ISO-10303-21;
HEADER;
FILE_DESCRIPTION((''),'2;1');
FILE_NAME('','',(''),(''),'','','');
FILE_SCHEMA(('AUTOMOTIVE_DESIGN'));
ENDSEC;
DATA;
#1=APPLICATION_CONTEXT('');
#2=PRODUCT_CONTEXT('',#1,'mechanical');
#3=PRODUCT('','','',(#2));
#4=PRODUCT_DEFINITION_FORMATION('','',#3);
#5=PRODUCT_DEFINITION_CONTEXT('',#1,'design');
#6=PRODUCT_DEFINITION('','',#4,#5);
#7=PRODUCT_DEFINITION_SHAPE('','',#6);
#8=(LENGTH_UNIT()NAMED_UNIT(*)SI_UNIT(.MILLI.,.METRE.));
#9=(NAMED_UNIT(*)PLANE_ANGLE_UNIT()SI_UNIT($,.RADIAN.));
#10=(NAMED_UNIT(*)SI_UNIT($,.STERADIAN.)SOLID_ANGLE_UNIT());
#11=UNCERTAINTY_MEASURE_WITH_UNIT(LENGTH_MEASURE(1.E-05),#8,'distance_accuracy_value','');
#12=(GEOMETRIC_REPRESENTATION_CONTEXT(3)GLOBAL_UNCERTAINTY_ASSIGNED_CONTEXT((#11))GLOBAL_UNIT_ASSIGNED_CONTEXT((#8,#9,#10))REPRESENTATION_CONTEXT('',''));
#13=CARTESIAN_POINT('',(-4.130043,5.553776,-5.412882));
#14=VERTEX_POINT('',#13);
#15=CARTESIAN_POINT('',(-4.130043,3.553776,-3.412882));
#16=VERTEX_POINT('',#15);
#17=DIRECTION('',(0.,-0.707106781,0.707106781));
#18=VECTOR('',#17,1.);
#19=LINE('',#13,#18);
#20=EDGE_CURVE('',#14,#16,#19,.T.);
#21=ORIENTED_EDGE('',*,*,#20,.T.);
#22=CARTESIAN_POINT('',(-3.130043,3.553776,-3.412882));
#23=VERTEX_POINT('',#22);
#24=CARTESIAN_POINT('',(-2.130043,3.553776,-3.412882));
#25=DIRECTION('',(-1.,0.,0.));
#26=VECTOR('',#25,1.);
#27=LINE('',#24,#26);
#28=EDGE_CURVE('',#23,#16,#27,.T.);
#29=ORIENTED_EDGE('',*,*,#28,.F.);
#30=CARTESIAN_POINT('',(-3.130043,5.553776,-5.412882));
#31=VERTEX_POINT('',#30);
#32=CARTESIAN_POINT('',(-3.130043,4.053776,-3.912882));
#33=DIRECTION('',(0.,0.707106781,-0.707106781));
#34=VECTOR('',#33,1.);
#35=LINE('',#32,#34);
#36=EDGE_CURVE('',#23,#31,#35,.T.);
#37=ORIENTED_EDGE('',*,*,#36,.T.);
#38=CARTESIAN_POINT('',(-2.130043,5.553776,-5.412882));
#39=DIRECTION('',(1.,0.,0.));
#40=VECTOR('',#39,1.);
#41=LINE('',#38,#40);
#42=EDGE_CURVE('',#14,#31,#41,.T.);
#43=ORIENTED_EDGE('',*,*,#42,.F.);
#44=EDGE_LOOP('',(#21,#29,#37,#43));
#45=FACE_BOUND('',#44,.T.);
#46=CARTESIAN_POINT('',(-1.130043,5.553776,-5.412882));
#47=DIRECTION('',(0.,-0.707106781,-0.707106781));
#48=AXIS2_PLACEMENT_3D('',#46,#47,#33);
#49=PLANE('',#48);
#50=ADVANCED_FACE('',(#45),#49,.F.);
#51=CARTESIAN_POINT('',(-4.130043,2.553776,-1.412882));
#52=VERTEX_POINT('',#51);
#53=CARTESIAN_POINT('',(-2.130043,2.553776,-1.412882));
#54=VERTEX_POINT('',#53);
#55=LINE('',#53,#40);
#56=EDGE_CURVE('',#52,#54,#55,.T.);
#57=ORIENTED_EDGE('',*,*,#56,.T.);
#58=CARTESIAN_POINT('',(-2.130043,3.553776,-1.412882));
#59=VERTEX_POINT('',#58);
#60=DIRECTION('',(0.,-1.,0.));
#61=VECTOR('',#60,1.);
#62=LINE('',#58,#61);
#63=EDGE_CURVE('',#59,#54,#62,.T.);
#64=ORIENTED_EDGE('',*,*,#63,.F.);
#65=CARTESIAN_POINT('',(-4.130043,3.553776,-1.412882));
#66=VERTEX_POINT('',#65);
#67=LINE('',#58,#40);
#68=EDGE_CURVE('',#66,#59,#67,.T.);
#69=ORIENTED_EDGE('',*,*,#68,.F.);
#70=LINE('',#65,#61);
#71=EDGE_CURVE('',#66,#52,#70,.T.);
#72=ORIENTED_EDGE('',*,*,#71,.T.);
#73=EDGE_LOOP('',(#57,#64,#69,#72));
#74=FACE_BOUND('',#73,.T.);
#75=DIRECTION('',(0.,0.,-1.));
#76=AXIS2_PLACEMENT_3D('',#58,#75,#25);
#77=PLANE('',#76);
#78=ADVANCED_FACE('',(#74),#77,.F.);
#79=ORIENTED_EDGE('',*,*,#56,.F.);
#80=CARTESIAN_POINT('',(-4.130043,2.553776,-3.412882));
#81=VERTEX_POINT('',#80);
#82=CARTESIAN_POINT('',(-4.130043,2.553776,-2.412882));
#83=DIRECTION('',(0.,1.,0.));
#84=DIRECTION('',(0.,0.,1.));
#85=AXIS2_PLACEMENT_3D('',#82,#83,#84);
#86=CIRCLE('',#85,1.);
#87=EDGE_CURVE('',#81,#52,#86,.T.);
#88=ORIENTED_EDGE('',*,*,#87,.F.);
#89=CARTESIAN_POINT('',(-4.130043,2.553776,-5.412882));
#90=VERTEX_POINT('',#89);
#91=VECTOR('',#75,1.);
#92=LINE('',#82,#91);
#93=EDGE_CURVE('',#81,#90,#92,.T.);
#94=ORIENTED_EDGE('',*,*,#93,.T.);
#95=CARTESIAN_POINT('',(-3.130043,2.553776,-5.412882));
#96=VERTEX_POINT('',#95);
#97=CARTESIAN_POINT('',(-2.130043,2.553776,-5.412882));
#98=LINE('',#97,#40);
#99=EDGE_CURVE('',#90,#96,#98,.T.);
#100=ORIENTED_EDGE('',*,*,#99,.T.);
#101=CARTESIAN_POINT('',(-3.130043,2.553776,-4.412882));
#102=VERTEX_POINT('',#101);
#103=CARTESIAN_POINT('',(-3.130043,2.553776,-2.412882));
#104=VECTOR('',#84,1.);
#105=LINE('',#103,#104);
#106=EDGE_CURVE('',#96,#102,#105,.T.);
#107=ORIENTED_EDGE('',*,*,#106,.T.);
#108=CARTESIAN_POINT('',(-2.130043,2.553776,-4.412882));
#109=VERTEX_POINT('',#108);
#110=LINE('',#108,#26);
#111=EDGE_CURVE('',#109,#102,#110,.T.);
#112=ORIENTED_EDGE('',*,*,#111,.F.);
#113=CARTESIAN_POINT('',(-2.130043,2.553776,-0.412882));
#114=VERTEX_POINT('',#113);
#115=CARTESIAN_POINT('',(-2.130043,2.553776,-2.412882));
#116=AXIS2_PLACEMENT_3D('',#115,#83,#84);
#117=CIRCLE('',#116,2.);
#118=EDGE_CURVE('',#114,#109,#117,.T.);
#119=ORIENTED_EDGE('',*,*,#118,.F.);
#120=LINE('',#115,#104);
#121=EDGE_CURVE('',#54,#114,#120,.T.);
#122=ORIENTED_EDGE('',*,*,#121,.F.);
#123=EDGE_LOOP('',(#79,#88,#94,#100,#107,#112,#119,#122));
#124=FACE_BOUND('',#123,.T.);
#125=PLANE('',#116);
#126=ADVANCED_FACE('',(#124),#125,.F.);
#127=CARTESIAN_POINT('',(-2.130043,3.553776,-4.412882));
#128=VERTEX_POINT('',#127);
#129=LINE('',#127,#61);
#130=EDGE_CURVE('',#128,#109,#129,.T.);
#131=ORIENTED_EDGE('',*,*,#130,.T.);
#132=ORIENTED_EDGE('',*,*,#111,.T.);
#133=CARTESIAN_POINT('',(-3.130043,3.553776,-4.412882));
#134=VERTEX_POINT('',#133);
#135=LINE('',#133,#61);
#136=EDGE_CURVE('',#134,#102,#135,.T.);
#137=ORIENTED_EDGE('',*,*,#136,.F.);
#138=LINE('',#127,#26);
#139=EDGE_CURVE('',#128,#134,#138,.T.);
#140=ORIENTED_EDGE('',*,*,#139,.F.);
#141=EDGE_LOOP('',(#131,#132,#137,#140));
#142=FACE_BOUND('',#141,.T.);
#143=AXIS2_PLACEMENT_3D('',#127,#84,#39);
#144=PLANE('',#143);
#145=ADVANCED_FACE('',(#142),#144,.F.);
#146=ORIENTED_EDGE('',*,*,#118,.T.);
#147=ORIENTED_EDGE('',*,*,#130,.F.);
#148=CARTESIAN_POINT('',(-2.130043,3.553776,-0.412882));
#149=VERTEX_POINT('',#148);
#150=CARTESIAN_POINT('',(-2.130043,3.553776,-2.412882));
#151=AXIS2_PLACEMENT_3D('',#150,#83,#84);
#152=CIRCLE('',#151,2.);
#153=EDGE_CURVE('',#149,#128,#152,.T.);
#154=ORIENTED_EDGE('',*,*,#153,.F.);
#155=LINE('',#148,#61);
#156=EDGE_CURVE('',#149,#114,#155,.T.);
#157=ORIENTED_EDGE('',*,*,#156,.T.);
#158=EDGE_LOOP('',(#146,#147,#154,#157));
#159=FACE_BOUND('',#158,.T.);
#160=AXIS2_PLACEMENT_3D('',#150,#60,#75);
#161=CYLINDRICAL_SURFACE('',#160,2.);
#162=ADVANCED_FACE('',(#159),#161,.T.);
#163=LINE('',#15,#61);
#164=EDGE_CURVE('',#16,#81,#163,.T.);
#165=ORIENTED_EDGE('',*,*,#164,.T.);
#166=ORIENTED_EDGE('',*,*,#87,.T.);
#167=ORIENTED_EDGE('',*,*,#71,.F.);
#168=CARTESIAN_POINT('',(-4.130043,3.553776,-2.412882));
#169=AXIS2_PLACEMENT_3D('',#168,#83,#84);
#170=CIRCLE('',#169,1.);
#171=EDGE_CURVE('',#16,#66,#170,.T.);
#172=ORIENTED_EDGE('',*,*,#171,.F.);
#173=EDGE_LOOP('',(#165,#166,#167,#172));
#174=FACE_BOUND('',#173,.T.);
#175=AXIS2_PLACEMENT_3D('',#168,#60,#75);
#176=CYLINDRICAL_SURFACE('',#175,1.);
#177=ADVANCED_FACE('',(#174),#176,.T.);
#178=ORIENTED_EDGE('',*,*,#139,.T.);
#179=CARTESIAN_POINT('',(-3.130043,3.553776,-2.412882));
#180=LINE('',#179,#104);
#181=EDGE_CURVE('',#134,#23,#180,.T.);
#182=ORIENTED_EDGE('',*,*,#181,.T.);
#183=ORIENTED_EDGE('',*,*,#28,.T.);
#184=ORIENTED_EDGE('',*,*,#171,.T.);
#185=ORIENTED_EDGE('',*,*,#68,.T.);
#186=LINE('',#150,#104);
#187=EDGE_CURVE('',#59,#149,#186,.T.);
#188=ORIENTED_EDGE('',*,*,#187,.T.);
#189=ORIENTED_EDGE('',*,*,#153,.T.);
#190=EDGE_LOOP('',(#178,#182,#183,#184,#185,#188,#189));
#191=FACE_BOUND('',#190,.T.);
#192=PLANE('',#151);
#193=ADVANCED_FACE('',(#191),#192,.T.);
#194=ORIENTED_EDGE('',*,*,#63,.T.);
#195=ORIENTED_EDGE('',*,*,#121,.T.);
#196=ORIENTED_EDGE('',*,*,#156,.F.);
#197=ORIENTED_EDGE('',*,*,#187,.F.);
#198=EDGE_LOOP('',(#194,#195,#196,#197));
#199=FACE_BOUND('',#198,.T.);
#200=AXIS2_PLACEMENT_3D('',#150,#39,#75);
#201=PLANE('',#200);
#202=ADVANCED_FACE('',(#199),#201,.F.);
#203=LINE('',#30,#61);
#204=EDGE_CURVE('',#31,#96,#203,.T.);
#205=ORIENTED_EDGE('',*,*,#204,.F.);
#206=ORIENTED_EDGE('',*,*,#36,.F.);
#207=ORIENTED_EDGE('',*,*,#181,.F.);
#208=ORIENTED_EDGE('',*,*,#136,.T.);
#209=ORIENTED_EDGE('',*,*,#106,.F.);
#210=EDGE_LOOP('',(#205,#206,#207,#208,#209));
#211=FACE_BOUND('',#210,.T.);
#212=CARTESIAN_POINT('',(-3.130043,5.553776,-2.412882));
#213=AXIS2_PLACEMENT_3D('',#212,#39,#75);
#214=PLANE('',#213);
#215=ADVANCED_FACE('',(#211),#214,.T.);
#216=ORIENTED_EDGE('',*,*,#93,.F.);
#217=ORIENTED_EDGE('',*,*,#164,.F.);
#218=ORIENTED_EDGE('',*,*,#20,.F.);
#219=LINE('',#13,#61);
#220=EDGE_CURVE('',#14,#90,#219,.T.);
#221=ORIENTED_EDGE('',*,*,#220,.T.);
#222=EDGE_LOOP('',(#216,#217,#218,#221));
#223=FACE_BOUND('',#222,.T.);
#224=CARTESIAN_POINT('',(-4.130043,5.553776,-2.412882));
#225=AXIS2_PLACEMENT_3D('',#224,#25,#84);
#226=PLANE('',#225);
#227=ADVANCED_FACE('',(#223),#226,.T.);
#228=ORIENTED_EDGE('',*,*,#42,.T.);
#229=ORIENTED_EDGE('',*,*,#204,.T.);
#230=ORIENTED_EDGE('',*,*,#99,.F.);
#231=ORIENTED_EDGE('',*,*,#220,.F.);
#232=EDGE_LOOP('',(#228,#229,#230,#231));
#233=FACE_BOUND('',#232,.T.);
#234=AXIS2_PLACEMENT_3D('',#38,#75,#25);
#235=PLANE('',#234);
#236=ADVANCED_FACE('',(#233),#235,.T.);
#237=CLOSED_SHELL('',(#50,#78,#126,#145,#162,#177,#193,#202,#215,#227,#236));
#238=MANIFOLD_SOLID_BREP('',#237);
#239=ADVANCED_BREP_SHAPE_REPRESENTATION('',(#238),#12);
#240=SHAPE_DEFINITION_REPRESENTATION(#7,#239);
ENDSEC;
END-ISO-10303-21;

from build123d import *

# Parameters (mm, degrees)
EXTRUDE_1_DEPTH     = 5
EXTRUDE_2_DEPTH     = 15
CUT_EXTRUDE_1_DEPTH = 15
SCALE_1_SCALE       = 0.2


with BuildPart() as part:
    # 草圖1 → 填料-伸長1 (new body)
    with BuildSketch(Plane(origin=(0, 0, 0), x_dir=(1, 0, 0), z_dir=(0, 1, 0))):
        with BuildLine():
            ThreePointArc((-10, 5), (-15, 0), (-10, -5))
            Line((-10, -5), (0, -5))
            Line((0, -5), (0, -10))
            ThreePointArc((0, -10), (10, 0), (0, 10))
            Line((0, 10), (-5, 10))
            Line((-5, 10), (-5, 5))
            Line((-5, 5), (-10, 5))
        make_face()
    extrude(amount=EXTRUDE_1_DEPTH)

    # 草圖1<3> → 填料-伸長2 (add)
    with BuildSketch(Plane(origin=(0, 0, 0), x_dir=(1, 0, 0), z_dir=(0, 1, 0))):
        Polygon((-10, 15), (-10, 5), (-5, 5), (-5, 10), (-5, 15), align=None)
    extrude(amount=EXTRUDE_2_DEPTH)

    # 草圖2 → 除料-伸長1 (cut)
    with BuildSketch(Plane.ZY.offset(10)):
        Polygon((-15, 15), (-5, 5), (-5, 15), align=None)
    extrude(amount=-CUT_EXTRUDE_1_DEPTH, mode=Mode.SUBTRACT)


with BuildPart() as part_1:
    # 縮放比例1: scaled about (-2.662553627, 3.192220208, -3.016102333)
    add(part.part.scale(SCALE_1_SCALE).moved(Location((-2.130042902, 2.553776166, -2.412881866))))


solid = part_1.part
